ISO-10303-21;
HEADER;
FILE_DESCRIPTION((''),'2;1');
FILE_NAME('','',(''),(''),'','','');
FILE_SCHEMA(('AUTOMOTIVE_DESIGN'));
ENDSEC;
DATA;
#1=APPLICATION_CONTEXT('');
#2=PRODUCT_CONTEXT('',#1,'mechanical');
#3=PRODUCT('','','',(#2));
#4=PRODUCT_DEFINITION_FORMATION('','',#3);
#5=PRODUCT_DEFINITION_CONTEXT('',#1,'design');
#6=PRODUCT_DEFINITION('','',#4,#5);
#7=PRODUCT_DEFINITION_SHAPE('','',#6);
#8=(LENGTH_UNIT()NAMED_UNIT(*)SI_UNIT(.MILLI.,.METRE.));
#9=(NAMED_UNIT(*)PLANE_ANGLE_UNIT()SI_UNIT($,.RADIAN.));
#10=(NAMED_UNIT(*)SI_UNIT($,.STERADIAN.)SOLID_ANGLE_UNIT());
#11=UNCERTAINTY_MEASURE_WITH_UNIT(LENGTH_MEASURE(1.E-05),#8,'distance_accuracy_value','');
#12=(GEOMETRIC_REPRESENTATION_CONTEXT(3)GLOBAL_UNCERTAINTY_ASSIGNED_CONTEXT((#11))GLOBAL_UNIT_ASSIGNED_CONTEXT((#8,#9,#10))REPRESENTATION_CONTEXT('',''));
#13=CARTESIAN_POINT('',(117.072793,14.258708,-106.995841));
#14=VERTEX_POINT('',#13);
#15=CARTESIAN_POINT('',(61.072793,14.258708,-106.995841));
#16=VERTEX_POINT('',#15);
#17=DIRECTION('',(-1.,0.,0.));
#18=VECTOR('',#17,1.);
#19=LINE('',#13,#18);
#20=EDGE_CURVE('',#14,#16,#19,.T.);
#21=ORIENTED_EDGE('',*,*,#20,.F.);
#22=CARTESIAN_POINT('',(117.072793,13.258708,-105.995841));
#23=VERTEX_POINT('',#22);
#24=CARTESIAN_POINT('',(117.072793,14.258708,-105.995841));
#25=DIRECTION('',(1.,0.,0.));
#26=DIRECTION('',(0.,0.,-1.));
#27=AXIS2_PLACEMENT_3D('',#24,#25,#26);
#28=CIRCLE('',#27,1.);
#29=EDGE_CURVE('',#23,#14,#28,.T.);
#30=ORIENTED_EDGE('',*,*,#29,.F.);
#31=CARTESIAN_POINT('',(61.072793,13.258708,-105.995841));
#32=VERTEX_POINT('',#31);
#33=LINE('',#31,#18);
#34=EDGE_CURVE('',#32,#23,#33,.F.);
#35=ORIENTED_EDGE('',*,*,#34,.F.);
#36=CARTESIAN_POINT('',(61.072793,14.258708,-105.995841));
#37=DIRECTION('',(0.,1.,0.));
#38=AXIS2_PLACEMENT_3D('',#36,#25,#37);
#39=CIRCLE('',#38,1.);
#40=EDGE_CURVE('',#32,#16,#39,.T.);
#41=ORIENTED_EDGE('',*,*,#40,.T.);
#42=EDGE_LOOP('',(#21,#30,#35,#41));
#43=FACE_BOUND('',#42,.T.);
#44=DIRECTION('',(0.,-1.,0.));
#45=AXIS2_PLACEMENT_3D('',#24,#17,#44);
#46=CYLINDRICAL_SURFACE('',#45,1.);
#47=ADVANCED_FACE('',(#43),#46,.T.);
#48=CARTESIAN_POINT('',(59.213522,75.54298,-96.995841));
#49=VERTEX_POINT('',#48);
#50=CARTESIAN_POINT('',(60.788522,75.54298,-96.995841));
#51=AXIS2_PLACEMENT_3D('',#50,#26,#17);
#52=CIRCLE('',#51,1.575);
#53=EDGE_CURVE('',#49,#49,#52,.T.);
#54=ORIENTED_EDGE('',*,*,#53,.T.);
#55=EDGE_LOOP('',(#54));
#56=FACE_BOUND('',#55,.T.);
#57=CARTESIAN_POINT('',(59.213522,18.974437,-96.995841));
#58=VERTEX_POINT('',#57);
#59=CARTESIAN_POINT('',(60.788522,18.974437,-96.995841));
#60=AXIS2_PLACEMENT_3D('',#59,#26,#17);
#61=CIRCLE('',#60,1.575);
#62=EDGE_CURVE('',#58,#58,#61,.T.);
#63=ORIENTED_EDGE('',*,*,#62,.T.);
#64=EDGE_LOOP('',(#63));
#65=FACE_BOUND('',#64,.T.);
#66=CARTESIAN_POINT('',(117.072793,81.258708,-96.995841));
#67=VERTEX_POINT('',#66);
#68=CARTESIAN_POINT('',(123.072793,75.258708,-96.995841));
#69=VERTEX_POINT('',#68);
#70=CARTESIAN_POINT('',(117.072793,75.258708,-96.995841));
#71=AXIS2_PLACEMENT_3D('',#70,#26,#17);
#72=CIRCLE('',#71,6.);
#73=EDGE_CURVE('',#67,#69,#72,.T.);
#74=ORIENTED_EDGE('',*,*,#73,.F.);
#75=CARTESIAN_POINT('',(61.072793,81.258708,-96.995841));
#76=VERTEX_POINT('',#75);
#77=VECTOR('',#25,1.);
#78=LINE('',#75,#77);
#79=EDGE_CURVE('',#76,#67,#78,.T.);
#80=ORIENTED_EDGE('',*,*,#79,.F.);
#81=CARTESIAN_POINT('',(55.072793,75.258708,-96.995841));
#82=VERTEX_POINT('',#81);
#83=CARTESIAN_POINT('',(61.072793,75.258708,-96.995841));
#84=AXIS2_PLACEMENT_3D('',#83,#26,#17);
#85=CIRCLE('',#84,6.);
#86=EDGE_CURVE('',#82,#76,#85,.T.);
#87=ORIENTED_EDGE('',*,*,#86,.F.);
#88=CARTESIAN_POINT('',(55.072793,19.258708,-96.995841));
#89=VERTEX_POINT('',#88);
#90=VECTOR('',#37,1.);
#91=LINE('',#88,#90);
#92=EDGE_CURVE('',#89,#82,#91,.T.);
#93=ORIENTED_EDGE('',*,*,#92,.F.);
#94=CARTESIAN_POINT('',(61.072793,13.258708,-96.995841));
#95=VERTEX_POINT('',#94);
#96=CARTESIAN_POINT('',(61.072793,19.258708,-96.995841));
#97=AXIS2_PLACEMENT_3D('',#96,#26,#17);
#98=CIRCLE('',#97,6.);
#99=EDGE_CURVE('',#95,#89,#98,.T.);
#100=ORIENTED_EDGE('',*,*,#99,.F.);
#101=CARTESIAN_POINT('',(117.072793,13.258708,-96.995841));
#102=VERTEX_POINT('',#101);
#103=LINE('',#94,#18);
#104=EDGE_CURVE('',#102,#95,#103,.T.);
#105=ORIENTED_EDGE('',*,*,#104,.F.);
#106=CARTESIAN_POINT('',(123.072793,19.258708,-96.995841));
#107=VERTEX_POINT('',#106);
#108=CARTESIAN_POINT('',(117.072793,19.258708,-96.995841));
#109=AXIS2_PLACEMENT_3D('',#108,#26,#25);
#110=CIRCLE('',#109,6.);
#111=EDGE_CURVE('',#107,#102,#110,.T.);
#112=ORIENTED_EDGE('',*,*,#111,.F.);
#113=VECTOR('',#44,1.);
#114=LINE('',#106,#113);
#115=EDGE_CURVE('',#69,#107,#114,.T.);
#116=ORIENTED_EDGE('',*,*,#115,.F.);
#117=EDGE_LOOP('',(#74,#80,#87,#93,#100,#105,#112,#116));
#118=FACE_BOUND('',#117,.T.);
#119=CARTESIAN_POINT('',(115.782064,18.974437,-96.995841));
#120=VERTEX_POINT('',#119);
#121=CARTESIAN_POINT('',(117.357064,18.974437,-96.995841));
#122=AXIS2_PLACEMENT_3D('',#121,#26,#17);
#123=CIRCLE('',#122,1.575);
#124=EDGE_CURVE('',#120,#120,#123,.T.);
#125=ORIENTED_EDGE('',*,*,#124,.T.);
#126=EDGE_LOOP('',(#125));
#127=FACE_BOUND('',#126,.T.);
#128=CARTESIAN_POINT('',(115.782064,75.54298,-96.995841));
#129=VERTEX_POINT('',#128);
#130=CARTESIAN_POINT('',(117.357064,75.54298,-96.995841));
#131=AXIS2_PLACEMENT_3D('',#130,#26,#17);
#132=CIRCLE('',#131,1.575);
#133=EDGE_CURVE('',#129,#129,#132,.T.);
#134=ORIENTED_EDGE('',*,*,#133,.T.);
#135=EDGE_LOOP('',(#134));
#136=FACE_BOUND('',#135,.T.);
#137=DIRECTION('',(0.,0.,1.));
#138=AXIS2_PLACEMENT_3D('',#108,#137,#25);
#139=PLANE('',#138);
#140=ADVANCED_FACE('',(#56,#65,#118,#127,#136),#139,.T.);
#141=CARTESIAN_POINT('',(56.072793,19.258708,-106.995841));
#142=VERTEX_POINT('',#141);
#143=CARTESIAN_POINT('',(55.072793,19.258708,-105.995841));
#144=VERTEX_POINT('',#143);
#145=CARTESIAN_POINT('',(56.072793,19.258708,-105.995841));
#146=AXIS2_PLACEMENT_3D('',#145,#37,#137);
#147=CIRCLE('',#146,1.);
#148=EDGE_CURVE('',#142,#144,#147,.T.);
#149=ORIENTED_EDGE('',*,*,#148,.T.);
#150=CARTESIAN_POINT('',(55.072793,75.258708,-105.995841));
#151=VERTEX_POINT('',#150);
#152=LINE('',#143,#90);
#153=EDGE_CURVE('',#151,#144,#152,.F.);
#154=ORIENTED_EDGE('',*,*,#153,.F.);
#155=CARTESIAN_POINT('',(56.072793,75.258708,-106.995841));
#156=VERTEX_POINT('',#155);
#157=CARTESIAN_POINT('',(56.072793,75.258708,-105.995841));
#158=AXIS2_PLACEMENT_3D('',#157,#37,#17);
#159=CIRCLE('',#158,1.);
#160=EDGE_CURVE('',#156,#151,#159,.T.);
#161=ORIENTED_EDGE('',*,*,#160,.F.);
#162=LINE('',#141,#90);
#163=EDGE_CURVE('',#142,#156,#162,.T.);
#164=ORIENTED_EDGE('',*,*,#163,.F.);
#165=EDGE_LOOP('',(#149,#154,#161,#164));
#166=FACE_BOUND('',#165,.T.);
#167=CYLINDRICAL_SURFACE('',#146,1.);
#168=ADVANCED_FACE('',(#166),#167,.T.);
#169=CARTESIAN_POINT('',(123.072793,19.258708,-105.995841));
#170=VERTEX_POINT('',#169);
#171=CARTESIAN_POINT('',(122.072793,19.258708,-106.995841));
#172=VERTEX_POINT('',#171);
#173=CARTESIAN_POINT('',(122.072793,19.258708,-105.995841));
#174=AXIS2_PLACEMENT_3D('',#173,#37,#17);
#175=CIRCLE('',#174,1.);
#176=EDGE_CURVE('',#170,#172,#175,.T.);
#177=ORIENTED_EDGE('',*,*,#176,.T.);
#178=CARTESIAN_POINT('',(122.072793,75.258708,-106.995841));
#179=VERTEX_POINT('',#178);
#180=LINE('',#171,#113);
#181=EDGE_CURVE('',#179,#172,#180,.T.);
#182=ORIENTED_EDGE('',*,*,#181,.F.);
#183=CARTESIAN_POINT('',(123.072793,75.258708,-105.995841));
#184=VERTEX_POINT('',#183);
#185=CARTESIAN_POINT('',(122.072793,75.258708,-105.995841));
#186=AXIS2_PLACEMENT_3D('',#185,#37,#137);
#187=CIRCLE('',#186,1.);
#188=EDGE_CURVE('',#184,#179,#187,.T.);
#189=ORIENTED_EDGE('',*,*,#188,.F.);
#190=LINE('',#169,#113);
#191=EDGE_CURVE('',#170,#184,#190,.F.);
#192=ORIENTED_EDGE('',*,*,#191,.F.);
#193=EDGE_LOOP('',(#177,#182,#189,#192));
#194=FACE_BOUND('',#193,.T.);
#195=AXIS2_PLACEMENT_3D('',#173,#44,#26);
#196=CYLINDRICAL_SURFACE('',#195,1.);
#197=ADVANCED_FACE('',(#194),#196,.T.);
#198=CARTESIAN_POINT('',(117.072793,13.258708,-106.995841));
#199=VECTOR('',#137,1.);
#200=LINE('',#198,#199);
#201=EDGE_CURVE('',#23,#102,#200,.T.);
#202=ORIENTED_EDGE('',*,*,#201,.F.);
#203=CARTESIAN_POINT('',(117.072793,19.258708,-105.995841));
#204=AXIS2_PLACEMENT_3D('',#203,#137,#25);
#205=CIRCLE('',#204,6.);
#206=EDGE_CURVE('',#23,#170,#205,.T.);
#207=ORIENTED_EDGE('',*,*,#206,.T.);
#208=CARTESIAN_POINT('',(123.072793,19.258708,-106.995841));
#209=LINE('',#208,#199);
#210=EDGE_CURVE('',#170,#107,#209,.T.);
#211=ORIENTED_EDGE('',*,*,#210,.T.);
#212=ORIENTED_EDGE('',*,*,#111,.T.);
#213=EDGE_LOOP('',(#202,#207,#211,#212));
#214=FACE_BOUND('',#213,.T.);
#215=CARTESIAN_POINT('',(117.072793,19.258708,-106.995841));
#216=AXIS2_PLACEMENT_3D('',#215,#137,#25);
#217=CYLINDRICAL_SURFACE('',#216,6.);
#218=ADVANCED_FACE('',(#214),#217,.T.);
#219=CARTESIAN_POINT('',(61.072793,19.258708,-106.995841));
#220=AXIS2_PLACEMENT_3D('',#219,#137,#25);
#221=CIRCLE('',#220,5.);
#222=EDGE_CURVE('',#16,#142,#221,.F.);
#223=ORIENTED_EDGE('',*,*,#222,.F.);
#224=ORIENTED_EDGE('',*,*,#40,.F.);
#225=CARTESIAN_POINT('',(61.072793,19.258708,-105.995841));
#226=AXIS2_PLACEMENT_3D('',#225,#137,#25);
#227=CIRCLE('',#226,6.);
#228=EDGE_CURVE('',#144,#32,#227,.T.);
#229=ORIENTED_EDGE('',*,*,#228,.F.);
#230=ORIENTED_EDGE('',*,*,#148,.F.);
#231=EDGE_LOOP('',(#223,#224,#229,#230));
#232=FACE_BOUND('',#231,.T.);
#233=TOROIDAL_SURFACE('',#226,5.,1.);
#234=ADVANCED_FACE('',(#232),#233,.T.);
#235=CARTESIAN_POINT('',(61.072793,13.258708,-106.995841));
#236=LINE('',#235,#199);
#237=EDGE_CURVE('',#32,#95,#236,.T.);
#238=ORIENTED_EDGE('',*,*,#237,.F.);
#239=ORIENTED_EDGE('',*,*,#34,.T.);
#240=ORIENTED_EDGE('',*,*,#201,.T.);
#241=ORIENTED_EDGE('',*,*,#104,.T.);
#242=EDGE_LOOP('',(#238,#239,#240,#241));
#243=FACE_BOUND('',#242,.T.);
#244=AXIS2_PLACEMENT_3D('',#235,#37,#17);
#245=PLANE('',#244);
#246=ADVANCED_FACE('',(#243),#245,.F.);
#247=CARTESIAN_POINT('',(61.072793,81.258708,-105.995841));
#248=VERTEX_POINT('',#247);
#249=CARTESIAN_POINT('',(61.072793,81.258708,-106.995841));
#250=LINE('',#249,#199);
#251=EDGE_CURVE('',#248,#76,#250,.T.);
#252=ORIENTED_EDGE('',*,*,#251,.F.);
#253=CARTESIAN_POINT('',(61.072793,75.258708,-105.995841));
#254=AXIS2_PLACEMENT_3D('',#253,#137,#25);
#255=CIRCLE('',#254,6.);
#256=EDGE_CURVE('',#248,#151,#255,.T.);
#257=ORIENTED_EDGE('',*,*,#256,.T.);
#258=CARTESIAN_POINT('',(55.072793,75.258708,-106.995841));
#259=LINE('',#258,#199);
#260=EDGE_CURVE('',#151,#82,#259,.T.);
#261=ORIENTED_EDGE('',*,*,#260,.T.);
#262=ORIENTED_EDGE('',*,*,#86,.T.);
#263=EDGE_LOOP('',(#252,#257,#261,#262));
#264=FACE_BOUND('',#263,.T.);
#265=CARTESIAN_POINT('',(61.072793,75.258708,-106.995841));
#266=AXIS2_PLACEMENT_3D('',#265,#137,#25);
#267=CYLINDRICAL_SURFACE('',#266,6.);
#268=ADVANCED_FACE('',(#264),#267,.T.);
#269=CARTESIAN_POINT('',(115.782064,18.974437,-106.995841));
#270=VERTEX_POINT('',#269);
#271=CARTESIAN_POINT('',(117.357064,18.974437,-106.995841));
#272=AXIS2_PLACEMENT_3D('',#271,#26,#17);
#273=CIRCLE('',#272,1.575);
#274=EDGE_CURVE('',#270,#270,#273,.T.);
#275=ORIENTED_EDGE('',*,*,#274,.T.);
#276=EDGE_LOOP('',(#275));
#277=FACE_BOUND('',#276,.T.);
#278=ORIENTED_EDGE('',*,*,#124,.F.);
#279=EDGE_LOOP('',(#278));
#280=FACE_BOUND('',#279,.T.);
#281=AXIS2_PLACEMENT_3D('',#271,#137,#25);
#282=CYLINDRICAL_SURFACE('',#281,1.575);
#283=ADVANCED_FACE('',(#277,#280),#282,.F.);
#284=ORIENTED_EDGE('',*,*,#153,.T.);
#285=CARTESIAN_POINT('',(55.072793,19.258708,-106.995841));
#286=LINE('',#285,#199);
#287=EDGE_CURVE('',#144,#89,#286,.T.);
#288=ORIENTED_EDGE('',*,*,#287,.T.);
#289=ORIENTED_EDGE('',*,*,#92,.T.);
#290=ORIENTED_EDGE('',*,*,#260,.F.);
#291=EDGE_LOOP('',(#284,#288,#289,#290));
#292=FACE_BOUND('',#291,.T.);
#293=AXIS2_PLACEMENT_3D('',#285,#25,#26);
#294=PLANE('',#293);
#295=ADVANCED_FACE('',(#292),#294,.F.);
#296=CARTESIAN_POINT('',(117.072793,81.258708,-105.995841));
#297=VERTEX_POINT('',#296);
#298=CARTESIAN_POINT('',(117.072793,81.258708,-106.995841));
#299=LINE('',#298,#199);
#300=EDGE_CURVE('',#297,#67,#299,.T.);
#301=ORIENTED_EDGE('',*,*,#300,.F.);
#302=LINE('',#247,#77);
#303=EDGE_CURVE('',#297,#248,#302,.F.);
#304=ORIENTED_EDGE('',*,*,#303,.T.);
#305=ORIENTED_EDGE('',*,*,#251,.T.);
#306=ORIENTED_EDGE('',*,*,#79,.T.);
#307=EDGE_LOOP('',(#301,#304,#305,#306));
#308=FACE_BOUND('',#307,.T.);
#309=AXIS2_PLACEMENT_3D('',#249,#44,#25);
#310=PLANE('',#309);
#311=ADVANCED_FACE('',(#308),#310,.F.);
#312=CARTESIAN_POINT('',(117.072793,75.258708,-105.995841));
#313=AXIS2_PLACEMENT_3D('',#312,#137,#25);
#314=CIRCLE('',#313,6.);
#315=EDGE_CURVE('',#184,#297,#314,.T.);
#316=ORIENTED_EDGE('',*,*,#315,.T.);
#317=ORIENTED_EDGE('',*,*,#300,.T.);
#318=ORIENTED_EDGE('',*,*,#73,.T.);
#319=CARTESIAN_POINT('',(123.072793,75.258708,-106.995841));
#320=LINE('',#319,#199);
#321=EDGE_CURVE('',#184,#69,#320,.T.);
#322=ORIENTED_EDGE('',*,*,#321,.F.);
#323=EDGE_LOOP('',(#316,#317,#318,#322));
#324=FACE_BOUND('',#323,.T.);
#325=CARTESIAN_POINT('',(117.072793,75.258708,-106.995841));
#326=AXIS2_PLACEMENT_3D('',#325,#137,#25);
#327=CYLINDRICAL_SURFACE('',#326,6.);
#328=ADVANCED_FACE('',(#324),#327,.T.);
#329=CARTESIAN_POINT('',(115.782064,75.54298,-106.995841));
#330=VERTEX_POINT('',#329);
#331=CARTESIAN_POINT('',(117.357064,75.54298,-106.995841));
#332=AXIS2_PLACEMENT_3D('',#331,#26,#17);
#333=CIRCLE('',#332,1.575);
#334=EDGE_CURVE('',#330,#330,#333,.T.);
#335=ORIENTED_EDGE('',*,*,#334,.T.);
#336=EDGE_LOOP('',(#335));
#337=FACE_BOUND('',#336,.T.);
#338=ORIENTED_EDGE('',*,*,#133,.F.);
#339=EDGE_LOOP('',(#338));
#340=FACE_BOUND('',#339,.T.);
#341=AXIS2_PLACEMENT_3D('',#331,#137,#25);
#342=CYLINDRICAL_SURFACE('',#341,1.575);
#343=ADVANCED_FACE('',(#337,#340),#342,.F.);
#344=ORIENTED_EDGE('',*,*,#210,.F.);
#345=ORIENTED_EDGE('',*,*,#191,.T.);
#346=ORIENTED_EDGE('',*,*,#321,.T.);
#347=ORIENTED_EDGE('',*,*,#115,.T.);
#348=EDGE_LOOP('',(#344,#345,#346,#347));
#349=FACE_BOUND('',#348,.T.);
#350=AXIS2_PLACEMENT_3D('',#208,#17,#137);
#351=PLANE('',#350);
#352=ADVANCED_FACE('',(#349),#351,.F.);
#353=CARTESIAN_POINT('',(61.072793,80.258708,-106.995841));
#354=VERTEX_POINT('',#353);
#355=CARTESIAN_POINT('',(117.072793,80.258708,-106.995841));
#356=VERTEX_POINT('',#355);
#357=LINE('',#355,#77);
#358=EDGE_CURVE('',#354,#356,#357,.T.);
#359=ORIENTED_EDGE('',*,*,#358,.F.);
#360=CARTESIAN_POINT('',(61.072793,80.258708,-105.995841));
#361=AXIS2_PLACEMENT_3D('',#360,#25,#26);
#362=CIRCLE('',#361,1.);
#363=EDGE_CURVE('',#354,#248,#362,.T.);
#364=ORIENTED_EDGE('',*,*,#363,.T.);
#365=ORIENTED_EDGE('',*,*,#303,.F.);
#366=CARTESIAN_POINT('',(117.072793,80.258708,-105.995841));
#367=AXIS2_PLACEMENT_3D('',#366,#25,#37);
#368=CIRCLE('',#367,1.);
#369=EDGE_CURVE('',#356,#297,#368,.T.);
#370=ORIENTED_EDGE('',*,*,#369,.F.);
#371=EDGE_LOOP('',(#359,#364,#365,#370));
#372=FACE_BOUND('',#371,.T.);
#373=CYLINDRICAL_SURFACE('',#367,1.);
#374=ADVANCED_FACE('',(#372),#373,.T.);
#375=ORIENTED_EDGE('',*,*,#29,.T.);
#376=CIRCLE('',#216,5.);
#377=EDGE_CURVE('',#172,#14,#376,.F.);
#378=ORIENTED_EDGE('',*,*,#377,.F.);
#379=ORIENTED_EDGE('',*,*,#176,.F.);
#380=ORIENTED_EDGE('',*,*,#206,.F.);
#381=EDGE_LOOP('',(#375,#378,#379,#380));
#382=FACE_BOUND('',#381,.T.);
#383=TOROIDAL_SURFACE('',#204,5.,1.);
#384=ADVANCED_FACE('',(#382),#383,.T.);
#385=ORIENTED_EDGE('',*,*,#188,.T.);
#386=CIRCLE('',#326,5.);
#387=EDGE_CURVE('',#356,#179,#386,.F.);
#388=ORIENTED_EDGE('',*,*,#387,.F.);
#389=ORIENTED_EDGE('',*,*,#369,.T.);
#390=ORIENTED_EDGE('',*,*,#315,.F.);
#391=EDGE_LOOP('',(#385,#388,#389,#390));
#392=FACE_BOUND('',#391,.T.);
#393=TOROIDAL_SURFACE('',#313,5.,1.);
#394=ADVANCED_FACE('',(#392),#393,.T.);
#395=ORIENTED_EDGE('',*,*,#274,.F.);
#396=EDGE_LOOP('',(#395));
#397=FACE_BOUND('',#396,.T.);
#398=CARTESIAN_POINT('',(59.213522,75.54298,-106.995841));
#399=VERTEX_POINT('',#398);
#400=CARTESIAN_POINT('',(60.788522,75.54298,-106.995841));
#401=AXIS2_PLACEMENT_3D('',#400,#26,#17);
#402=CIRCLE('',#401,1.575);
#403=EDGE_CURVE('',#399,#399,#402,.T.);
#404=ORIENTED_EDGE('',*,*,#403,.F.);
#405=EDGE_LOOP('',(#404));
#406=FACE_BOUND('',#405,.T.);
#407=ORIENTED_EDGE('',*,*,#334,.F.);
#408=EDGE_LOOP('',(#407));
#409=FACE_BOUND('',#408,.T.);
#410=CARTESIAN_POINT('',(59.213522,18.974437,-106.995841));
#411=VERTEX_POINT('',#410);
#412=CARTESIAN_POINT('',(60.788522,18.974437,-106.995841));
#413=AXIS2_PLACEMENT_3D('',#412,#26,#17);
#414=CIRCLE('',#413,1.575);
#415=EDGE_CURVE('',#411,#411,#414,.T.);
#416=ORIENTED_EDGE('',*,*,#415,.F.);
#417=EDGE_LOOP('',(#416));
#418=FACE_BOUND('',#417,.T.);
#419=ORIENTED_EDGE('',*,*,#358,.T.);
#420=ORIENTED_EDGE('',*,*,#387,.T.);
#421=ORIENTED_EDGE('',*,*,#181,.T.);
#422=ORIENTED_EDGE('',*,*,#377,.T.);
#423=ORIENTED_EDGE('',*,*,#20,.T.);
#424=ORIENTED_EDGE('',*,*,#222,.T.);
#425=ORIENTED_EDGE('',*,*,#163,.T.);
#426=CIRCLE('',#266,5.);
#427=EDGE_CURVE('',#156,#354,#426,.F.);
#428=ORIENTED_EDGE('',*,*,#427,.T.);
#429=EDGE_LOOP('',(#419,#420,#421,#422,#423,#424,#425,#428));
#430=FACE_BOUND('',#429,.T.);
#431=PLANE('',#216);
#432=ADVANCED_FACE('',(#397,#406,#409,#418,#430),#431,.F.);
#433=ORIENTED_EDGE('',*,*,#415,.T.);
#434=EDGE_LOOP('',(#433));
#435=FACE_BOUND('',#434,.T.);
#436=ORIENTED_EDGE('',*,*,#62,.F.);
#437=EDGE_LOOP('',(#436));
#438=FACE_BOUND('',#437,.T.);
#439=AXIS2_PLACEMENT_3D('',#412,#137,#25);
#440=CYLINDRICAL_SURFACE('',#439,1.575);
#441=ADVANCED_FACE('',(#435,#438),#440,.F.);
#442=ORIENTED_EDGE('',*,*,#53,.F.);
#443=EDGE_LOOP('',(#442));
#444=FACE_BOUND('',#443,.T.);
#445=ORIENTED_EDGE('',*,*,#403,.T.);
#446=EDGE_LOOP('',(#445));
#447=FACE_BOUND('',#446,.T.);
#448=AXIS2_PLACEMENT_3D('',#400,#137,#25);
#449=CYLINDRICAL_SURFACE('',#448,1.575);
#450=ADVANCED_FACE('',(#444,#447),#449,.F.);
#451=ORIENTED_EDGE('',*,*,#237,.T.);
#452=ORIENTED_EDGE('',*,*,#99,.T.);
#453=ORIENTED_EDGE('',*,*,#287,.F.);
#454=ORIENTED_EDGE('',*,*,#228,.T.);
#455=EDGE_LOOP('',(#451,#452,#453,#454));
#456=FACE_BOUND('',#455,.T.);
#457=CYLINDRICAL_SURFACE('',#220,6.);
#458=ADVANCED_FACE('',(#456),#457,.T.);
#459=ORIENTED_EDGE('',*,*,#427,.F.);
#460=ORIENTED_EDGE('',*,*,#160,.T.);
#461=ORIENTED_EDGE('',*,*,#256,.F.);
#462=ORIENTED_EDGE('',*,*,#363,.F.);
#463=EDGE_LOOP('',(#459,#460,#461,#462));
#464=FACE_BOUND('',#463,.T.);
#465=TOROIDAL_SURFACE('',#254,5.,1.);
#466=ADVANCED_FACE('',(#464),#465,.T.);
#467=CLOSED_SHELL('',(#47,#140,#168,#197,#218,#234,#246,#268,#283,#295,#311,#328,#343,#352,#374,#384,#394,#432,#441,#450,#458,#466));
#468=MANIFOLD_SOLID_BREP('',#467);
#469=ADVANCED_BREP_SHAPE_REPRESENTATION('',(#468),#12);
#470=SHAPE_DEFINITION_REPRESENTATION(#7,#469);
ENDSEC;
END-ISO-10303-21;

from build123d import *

# Parameters (mm, degrees)
SKETCH1_R           = 1.575
BOSS_EXTRUDE1_DEPTH = 10
FILLET1_R           = 1


with BuildPart() as part:
    # Sketch1 → Boss-Extrude1 (new body)
    with BuildSketch(Plane(origin=(0, 0, -96.995840519), x_dir=(-1, 0, 0), z_dir=(0, 0, -1))):
        with BuildLine():
            Line((-61.072792821, 13.25870832), (-117.072792821, 13.25870832))
            ThreePointArc((-117.072792821, 13.25870832), (-121.315433508, 15.016067633), (-123.072792821, 19.25870832))
            Line((-123.072792821, 19.25870832), (-123.072792821, 75.25870832))
            ThreePointArc((-123.072792821, 75.25870832), (-121.315433508, 79.501349008), (-117.072792821, 81.25870832))
            Line((-117.072792821, 81.25870832), (-61.072792821, 81.25870832))
            ThreePointArc((-61.072792821, 81.25870832), (-56.830152134, 79.501349008), (-55.072792821, 75.25870832))
            Line((-55.072792821, 75.25870832), (-55.072792821, 19.25870832))
            ThreePointArc((-55.072792821, 19.25870832), (-56.830152134, 15.016067633), (-61.072792821, 13.25870832))
        make_face()
        with Locations((-117.357064069, 75.542979568)):
            Circle(SKETCH1_R, mode=Mode.SUBTRACT)
        with Locations((-60.788521574, 75.542979568)):
            Circle(SKETCH1_R, mode=Mode.SUBTRACT)
        with Locations((-60.788521574, 18.974437073)):
            Circle(SKETCH1_R, mode=Mode.SUBTRACT)
        with Locations((-117.357064069, 18.974437073)):
            Circle(SKETCH1_R, mode=Mode.SUBTRACT)
    extrude(amount=BOSS_EXTRUDE1_DEPTH)

    # Fillet1
    fillet1_edges = [part.edges().sort_by_distance(p)[0] for p in [
        (56.830152134, 15.016067633, -106.995840519),
        (55.072792821, 47.25870832, -106.995840519),
        (56.830152134, 79.501349008, -106.995840519),
        (89.072792821, 81.25870832, -106.995840519),
        (121.315433508, 79.501349008, -106.995840519),
        (123.072792821, 47.25870832, -106.995840519),
        (121.315433508, 15.016067633, -106.995840519),
        (89.072792821, 13.25870832, -106.995840519),
    ]]
    fillet(fillet1_edges, radius=FILLET1_R)


solid = part.part
